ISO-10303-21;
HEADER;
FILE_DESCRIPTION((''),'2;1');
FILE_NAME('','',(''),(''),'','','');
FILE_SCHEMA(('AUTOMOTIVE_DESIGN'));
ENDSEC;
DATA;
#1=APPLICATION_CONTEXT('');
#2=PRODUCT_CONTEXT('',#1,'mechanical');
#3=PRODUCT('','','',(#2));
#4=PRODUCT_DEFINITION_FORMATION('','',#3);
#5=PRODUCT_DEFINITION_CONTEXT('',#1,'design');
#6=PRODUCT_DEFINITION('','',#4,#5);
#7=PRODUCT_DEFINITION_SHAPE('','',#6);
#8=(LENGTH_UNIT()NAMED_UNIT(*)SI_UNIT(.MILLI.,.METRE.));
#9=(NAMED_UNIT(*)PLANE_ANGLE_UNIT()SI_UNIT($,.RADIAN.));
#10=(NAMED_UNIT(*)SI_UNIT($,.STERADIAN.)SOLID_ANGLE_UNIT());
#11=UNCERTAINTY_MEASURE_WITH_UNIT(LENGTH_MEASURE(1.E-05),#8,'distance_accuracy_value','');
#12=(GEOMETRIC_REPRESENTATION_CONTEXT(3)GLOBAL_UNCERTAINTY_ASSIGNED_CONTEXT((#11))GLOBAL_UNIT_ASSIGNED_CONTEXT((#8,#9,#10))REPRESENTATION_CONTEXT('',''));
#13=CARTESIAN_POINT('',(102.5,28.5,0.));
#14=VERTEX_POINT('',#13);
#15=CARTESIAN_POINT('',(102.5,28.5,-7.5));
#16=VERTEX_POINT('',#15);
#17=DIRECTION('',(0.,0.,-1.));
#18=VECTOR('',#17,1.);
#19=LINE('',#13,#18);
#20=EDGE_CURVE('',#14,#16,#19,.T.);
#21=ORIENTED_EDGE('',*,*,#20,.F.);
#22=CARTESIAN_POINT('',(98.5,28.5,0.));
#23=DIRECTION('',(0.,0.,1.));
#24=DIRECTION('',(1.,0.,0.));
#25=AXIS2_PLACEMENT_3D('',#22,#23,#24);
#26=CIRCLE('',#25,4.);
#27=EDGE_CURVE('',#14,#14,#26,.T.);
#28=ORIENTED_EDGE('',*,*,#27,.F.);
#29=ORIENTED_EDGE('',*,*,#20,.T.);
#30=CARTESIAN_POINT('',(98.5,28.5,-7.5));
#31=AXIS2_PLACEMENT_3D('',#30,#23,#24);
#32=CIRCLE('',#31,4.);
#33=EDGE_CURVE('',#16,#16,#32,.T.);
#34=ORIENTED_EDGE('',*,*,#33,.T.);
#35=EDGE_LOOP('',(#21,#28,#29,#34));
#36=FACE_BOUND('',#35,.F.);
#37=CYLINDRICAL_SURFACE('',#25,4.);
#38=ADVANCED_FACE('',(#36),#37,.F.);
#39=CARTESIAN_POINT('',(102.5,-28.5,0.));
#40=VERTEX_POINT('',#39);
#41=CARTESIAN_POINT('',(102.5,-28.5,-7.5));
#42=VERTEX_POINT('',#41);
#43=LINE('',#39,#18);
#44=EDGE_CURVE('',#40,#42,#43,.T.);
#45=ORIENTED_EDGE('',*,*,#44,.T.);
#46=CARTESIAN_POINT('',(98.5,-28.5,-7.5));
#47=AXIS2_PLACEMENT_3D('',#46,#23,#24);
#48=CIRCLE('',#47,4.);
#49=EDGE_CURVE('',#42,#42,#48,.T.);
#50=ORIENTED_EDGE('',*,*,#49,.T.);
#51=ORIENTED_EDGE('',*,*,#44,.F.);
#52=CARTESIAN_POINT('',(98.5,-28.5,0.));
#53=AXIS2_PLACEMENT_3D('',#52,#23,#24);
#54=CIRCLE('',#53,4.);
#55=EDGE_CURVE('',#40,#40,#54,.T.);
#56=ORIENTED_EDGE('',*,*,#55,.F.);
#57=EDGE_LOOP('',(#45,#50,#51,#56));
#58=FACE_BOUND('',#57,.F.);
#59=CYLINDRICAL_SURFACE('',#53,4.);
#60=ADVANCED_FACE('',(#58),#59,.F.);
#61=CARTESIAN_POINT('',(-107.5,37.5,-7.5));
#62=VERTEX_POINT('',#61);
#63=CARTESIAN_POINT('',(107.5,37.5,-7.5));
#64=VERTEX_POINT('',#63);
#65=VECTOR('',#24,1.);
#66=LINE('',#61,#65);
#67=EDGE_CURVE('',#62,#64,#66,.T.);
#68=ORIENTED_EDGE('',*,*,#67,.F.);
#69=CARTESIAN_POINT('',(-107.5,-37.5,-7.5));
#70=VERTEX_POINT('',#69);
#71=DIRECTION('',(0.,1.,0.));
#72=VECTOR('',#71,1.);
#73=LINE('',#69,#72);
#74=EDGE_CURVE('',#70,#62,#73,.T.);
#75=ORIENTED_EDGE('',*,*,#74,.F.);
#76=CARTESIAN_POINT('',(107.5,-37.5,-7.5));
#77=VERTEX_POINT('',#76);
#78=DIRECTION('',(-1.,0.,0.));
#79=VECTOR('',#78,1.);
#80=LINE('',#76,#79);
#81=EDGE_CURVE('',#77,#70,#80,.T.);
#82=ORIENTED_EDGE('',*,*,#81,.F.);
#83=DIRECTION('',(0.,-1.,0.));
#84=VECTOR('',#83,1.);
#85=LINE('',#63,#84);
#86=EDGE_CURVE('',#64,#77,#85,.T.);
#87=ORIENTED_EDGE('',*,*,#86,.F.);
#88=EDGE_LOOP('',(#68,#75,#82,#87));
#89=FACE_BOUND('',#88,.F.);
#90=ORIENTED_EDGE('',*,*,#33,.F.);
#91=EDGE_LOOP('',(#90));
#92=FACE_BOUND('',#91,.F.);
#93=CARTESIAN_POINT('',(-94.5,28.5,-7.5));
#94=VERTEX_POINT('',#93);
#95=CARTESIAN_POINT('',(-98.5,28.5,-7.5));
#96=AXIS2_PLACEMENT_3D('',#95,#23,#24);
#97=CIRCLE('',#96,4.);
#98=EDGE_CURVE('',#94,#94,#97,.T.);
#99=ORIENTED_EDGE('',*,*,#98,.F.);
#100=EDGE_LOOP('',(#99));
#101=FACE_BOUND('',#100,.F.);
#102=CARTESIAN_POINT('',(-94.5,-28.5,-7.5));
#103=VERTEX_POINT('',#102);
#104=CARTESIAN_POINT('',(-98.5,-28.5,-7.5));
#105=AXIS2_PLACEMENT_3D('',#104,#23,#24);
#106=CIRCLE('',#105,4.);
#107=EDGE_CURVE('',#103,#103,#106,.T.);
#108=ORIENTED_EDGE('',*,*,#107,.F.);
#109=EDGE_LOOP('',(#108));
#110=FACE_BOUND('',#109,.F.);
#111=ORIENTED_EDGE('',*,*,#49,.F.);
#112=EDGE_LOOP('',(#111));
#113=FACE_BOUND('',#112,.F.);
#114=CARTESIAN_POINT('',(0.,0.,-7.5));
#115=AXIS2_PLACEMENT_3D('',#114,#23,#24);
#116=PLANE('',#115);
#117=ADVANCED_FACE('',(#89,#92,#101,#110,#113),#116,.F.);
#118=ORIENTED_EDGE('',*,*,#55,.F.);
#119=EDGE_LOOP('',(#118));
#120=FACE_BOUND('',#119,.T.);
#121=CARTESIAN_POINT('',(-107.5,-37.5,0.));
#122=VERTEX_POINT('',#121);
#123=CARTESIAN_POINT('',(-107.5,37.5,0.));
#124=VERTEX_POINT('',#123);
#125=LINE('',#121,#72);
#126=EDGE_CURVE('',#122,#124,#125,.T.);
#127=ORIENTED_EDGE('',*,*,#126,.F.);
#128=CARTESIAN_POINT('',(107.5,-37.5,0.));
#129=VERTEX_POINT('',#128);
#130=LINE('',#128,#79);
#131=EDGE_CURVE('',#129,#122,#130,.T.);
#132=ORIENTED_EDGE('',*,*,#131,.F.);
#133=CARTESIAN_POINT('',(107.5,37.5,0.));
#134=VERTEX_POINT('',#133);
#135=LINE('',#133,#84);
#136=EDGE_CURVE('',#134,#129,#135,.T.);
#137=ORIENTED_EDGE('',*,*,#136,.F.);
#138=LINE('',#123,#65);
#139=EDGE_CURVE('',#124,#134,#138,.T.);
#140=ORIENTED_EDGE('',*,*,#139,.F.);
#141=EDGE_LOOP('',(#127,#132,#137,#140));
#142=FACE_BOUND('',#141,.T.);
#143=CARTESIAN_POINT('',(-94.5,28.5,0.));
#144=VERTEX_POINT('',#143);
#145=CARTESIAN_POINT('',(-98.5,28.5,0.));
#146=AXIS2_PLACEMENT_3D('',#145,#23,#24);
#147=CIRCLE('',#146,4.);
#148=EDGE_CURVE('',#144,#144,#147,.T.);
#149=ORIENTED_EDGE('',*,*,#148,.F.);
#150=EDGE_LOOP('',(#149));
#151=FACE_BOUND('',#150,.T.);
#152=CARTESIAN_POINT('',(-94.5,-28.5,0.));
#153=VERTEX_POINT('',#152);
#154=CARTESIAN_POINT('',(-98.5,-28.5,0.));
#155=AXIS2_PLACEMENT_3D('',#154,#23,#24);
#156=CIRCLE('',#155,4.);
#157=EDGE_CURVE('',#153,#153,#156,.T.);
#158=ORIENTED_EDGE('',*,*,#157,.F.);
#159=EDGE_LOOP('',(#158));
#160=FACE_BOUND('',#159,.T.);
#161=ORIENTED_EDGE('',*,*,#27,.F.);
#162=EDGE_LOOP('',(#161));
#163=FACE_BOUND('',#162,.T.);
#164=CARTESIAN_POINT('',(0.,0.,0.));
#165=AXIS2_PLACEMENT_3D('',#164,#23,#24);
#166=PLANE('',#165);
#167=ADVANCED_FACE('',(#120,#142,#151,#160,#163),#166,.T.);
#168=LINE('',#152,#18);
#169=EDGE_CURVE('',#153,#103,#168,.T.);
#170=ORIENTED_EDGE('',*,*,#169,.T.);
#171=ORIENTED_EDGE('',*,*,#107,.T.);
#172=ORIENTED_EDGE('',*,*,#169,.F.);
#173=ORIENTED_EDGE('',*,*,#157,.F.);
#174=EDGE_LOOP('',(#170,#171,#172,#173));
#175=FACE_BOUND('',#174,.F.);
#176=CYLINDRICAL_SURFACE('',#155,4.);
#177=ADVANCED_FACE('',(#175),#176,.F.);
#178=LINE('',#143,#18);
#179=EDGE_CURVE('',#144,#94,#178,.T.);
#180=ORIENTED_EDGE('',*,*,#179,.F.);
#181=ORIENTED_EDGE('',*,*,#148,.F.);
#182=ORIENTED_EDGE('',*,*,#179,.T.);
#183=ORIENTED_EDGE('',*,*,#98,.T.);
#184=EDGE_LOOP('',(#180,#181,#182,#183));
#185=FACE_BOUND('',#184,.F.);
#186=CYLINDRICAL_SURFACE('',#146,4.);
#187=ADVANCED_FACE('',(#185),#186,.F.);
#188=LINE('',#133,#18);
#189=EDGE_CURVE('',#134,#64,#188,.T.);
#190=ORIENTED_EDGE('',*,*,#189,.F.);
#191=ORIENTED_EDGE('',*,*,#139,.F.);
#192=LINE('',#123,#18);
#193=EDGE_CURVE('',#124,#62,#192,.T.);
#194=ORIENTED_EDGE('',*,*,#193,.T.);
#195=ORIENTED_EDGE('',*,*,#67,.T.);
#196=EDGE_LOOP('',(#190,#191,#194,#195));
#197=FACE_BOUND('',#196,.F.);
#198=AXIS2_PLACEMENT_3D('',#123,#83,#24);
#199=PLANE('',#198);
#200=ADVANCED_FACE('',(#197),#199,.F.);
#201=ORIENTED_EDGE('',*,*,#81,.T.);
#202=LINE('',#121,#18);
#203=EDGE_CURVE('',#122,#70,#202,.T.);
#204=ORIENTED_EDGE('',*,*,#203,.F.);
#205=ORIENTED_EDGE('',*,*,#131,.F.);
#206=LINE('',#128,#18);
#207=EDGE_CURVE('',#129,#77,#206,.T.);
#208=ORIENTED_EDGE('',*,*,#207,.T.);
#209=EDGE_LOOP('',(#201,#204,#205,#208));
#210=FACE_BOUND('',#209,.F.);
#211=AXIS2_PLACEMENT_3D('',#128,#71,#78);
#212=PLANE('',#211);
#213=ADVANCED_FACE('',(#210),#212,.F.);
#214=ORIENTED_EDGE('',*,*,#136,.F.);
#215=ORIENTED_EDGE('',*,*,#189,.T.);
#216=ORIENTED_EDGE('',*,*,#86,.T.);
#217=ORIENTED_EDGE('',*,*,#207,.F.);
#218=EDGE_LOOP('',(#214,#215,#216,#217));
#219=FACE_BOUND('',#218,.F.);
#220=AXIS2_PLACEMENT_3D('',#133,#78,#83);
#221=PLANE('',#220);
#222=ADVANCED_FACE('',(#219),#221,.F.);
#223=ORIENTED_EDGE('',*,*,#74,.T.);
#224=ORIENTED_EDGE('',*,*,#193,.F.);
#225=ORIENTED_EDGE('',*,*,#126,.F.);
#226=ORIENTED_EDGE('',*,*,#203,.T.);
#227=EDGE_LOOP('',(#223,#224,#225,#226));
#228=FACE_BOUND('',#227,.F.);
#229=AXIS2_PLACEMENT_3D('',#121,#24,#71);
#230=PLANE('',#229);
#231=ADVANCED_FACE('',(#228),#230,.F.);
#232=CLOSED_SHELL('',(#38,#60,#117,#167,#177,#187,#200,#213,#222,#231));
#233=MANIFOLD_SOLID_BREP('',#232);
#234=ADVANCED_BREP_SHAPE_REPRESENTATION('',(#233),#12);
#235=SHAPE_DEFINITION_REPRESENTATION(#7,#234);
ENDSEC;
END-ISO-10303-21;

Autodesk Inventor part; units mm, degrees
ref_plane "YZ Plane" through (0, 0, 0) normal (1, 0, 0) x (0, 1, 0)
ref_plane "XZ Plane" through (0, 0, 0) normal (0, 1, 0) x (-1, 0, 0)
ref_plane "XY Plane" through (0, 0, 0) normal (0, 0, 1) x (1, 0, 0)
sketch "Sketch1" plane through (0, 0, 0) normal (0, 0, 1) x (1, 0, 0)
  line L0 (-107.5, 37.5) -> (107.5, 37.5)
  line L1 (107.5, 37.5) -> (107.5, -37.5)
  line L2 (107.5, -37.5) -> (-107.5, -37.5)
  line L3 (-107.5, -37.5) -> (-107.5, 37.5)
  circle A0 centre (-98.5, 28.5) radius 4
  circle A1 centre (98.5, 28.5) radius 4
  circle A2 centre (98.5, -28.5) radius 4
  circle A3 centre (-98.5, -28.5) radius 4
  point P0 (0, 0)
  point P1 (-107.5, 0)
  point P2 (0, -37.5)
  dimension "d0" = 215
  dimension "d1" = 75
  dimension "d2" = 8
  dimension "d3" = 9
  dimension "d4" = 9
  dimension "d5" = 9
  dimension "d6" = 9
  dimension "d7" = 9
  dimension "d8" = 9
  dimension "d9" = 9
  dimension "d10" = 9
extrude "Extrusion1" add sketch "Sketch1" against normal blind 7.5
equation "\"d4\" = d3"
equation "\"d5\" = d3"
equation "\"d6\" = d5"
equation "\"d7\" = d6"
equation "\"d8\" = d7"
equation "\"d9\" = d8"
equation "\"d10\" = d9"
properties part number "Plade"
